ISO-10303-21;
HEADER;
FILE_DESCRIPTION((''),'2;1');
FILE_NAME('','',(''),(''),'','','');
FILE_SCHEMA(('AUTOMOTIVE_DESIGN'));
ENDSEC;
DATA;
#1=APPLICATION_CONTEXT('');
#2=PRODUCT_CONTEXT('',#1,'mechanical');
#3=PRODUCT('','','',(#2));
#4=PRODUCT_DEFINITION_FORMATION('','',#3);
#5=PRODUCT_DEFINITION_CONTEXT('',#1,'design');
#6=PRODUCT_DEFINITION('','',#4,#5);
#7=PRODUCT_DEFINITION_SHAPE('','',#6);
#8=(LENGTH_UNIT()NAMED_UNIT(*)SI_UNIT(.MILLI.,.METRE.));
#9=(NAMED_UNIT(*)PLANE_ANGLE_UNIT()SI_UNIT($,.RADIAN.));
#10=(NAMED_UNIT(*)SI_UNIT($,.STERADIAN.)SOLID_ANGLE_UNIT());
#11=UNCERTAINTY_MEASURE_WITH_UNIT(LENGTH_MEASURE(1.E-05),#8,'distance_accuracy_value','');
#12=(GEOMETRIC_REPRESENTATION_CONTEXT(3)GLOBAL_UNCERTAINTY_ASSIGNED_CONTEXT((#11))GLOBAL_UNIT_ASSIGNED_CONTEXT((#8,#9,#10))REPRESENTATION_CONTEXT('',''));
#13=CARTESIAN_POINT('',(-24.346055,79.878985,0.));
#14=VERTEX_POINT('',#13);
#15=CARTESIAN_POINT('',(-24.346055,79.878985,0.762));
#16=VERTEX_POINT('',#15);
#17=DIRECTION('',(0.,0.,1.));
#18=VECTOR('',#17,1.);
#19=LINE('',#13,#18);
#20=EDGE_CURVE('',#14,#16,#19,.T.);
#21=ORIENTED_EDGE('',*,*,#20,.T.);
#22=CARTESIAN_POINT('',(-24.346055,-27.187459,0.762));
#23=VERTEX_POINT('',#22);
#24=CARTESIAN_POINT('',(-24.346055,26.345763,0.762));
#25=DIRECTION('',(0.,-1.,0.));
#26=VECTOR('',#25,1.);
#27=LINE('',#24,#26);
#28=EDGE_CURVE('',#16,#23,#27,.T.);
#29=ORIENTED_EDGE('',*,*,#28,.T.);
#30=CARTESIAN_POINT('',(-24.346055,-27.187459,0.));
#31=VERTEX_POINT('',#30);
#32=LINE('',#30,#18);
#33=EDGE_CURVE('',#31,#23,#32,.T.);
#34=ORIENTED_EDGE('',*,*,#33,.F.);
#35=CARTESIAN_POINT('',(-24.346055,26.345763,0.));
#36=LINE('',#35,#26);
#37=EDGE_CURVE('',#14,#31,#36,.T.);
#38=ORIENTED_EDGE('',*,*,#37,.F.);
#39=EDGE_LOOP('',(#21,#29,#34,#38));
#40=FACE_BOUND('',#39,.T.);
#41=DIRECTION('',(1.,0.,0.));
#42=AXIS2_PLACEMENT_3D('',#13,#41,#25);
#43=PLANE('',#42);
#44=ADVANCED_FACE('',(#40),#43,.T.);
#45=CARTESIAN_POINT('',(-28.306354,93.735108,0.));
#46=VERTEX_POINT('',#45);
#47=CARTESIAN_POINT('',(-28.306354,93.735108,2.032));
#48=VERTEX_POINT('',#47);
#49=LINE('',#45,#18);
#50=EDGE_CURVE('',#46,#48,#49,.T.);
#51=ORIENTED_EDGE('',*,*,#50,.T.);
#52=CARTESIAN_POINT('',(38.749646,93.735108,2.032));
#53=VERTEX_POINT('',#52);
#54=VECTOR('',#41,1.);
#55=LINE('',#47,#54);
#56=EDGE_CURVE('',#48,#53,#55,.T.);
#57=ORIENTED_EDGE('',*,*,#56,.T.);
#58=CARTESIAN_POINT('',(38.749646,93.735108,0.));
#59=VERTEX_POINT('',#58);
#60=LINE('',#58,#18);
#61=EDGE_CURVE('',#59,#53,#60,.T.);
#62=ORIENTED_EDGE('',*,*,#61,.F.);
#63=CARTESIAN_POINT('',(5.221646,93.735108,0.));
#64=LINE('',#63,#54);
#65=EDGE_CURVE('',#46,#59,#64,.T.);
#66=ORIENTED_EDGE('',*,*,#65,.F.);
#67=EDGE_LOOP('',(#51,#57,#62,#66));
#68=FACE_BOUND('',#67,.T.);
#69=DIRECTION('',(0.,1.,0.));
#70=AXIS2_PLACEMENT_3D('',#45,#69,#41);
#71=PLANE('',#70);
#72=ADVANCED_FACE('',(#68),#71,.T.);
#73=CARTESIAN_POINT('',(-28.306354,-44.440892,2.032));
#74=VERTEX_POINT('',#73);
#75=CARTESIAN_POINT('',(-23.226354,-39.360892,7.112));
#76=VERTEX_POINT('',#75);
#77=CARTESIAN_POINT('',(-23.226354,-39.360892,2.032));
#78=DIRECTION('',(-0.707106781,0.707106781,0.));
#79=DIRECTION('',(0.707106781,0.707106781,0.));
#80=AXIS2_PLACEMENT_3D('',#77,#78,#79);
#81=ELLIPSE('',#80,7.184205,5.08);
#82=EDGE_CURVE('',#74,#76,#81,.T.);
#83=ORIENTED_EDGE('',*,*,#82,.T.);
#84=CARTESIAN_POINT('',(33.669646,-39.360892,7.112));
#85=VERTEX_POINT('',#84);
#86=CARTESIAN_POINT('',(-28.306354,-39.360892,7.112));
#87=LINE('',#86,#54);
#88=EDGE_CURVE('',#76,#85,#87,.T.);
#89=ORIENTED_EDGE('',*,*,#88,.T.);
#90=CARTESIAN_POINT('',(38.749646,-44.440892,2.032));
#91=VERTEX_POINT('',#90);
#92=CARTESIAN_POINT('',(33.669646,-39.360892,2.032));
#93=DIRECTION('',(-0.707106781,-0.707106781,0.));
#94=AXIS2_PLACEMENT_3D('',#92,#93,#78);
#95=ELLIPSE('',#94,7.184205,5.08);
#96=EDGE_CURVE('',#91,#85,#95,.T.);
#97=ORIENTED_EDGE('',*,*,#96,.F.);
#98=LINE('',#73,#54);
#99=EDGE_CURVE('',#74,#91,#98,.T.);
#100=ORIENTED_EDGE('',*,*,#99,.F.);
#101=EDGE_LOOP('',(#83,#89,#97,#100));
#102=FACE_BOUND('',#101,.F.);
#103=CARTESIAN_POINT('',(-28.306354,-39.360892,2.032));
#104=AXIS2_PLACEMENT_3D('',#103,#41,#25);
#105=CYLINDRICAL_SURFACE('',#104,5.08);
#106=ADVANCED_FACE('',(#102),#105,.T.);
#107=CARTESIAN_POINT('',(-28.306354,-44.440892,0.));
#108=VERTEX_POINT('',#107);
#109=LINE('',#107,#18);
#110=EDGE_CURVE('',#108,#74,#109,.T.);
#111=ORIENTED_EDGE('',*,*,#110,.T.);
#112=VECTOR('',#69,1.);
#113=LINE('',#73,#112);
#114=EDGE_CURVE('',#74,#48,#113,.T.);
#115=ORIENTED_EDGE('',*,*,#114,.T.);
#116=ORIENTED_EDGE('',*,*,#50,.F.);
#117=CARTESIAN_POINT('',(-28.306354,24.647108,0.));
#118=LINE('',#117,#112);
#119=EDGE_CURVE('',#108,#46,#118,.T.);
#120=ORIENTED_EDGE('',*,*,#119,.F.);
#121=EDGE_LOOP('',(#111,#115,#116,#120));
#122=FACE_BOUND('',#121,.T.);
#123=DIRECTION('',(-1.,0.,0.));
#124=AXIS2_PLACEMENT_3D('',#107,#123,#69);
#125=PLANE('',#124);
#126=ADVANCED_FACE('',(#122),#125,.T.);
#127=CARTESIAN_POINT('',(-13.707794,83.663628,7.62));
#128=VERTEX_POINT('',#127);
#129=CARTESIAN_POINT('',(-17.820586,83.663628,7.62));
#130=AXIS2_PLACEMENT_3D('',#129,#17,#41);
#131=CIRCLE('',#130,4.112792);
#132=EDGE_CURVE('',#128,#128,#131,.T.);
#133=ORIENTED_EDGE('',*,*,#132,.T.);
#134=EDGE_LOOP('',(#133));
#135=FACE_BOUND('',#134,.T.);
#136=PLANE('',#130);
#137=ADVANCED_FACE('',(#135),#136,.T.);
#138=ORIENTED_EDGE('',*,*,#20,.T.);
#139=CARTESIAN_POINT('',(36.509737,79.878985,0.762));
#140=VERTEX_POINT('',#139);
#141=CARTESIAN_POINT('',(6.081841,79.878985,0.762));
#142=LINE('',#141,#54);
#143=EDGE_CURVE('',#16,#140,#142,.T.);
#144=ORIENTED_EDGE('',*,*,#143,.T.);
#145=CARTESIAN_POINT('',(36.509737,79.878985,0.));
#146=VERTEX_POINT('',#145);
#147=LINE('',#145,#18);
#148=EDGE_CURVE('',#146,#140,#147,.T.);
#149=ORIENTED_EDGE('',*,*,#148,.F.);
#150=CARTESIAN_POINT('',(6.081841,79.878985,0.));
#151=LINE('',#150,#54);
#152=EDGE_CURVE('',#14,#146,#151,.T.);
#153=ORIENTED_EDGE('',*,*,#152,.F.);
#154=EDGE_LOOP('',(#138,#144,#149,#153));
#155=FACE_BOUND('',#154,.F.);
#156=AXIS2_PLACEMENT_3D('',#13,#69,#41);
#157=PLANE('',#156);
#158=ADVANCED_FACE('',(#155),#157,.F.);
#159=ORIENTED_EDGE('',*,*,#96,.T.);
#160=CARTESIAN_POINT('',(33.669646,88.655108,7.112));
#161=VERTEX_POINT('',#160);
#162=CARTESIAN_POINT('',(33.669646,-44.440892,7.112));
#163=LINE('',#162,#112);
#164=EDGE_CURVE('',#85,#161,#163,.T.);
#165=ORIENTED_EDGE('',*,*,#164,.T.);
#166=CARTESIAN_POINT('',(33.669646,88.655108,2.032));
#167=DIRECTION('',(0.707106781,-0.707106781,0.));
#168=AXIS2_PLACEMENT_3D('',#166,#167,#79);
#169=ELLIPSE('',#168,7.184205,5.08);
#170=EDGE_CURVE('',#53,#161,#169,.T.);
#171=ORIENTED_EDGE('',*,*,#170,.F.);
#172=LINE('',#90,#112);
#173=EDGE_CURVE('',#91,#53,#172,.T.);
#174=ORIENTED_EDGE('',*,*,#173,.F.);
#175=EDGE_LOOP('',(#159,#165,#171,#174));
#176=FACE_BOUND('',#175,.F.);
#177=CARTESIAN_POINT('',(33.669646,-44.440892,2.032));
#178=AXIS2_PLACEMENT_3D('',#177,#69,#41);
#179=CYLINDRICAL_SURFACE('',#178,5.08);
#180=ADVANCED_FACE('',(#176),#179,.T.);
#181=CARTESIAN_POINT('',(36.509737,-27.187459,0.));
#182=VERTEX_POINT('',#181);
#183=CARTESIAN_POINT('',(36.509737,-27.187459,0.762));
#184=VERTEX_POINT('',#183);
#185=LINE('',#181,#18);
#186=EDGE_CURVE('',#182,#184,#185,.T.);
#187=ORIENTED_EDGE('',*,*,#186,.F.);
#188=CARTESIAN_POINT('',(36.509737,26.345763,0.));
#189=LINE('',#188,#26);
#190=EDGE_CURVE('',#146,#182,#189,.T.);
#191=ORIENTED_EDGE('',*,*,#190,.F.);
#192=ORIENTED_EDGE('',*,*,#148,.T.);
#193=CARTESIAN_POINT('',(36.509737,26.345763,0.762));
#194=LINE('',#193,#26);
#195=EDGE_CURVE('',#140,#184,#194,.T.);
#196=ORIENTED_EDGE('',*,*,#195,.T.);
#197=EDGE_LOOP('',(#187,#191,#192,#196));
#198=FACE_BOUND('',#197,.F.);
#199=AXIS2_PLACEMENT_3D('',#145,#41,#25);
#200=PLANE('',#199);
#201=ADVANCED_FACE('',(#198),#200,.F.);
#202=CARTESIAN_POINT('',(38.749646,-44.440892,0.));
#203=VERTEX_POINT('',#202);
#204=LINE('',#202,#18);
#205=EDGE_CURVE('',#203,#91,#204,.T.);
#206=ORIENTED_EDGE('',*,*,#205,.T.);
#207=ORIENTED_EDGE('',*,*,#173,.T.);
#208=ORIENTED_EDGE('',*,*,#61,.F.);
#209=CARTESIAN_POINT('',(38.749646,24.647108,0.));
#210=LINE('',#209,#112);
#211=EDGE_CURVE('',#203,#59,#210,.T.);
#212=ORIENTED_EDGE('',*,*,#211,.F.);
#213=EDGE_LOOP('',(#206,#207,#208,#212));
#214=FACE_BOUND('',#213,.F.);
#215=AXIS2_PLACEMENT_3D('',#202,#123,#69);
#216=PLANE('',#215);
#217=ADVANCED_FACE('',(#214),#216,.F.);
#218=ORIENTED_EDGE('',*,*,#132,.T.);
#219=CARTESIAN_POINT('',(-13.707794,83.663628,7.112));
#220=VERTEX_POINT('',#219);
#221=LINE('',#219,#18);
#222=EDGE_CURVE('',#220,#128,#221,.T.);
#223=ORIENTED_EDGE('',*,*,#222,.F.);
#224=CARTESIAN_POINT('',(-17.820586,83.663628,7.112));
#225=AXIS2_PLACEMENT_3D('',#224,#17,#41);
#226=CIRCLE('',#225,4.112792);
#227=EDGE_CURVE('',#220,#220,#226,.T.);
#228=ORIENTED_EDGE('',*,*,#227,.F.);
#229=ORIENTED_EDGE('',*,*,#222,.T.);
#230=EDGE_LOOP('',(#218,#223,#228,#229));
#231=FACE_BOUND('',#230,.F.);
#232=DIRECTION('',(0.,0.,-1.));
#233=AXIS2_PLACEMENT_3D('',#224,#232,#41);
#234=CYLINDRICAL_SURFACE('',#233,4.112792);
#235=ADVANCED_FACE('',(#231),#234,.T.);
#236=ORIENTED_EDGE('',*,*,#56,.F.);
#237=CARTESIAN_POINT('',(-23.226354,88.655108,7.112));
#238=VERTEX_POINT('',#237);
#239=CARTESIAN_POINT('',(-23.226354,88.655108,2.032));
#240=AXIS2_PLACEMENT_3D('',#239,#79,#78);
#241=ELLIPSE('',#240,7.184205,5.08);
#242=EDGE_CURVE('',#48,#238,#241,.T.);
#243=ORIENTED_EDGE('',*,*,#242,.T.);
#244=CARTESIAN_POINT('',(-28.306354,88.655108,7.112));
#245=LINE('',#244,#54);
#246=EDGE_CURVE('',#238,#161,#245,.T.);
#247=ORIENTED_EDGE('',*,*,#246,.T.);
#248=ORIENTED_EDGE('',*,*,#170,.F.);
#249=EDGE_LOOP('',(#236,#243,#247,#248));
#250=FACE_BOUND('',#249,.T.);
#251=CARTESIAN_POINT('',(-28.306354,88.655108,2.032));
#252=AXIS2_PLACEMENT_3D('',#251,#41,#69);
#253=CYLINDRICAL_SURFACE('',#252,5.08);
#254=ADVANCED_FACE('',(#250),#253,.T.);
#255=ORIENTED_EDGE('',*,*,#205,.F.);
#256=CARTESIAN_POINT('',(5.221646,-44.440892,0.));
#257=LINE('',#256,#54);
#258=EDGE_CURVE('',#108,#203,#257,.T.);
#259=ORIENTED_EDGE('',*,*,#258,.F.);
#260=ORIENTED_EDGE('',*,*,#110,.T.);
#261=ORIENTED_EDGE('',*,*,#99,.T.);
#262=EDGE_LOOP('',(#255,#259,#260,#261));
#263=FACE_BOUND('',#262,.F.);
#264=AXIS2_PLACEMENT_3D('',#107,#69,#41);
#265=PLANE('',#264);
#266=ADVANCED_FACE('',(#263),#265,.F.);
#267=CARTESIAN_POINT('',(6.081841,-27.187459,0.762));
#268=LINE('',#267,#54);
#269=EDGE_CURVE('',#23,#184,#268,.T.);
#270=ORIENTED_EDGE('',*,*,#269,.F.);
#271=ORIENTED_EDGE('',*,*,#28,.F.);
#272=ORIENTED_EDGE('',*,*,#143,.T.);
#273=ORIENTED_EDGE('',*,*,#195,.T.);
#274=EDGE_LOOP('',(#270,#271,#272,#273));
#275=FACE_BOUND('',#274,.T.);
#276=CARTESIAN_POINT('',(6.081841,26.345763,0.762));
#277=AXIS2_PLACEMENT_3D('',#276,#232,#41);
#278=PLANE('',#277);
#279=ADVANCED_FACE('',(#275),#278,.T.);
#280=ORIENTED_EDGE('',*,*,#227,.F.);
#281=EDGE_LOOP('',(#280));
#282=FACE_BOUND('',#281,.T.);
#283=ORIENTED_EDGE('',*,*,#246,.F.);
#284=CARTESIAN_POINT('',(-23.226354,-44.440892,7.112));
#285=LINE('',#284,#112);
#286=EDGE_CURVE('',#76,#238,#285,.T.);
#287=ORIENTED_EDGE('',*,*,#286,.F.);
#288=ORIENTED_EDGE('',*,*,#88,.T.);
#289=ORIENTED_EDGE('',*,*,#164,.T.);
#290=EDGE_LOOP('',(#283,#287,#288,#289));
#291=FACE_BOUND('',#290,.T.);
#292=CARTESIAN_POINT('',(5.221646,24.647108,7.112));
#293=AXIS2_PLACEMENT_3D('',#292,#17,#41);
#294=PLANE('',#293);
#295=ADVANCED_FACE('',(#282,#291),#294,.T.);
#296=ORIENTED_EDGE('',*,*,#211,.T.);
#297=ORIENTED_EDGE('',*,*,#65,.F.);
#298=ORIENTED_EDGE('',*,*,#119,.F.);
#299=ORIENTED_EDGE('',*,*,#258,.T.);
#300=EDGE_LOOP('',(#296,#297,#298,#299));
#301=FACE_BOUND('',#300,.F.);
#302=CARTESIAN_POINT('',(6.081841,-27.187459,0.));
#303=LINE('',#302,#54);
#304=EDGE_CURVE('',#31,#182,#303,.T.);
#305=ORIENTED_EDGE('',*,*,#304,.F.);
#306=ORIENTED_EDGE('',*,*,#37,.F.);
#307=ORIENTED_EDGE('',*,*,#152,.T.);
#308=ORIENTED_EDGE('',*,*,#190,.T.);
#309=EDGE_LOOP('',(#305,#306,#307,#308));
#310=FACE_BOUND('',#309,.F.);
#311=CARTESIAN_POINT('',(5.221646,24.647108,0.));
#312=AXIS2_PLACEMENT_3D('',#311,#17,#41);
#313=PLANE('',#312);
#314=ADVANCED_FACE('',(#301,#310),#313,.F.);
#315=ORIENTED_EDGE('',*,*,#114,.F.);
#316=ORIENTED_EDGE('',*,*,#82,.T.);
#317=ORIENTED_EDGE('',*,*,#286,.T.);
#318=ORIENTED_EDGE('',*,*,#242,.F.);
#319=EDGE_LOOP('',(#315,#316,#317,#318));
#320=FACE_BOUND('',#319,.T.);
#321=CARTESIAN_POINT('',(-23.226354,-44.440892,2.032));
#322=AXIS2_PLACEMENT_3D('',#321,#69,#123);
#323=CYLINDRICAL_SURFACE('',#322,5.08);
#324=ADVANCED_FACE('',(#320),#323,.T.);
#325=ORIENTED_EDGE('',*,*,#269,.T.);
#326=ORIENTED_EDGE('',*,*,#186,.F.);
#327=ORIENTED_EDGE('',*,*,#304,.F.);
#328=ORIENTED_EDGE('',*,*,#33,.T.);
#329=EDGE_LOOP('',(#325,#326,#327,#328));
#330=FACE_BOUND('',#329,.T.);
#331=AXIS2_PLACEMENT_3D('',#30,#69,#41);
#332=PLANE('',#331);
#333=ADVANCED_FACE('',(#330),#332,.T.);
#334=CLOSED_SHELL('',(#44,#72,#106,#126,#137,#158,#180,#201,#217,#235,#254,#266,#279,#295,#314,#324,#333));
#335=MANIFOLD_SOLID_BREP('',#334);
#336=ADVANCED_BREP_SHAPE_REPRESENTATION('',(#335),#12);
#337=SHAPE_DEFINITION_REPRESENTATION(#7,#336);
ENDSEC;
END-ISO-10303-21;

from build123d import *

# Parameters (mm, degrees)
F0_W     = 67.056
F0_H     = 138.176
F1_DEPTH = 7.112
F2_R     = 5.08
F3_R     = 4.112792
F4_DEPTH = 0.508
F5_W     = 60.855792
F5_H     = 107.066445
F6_DEPTH = 0.762


with BuildPart() as f1:
    # F0 (on Top) → F1 (new body)
    with BuildSketch(Plane.XY):
        with Locations((5.221646, 24.647108)):
            Rectangle(F0_W, F0_H)
    extrude(amount=F1_DEPTH)

    # F2
    f2_edges = [f1.edges().sort_by_distance(p)[0] for p in [
        (38.749646, 24.647108, 7.112),
        (5.221646, -44.440892, 7.112),
        (-28.306354, 24.647108, 7.112),
        (5.221646, 93.735108, 7.112),
    ]]
    fillet(f2_edges, radius=F2_R)

    # F3 (on face) → F4 (join)
    with BuildSketch(Plane.XY.offset(7.112)):
        with Locations((-17.820586, 83.663628)):
            Circle(F3_R)
    extrude(amount=F4_DEPTH)

    # F5 (on face) → F6 (cut)
    with BuildSketch(Plane(origin=(0, 0, 0), x_dir=(1, 0, 0), z_dir=(0, 0, -1))):
        with Locations((6.081841, -26.345763)):
            Rectangle(F5_W, F5_H)
    extrude(amount=-F6_DEPTH, mode=Mode.SUBTRACT)


solid = f1.part
